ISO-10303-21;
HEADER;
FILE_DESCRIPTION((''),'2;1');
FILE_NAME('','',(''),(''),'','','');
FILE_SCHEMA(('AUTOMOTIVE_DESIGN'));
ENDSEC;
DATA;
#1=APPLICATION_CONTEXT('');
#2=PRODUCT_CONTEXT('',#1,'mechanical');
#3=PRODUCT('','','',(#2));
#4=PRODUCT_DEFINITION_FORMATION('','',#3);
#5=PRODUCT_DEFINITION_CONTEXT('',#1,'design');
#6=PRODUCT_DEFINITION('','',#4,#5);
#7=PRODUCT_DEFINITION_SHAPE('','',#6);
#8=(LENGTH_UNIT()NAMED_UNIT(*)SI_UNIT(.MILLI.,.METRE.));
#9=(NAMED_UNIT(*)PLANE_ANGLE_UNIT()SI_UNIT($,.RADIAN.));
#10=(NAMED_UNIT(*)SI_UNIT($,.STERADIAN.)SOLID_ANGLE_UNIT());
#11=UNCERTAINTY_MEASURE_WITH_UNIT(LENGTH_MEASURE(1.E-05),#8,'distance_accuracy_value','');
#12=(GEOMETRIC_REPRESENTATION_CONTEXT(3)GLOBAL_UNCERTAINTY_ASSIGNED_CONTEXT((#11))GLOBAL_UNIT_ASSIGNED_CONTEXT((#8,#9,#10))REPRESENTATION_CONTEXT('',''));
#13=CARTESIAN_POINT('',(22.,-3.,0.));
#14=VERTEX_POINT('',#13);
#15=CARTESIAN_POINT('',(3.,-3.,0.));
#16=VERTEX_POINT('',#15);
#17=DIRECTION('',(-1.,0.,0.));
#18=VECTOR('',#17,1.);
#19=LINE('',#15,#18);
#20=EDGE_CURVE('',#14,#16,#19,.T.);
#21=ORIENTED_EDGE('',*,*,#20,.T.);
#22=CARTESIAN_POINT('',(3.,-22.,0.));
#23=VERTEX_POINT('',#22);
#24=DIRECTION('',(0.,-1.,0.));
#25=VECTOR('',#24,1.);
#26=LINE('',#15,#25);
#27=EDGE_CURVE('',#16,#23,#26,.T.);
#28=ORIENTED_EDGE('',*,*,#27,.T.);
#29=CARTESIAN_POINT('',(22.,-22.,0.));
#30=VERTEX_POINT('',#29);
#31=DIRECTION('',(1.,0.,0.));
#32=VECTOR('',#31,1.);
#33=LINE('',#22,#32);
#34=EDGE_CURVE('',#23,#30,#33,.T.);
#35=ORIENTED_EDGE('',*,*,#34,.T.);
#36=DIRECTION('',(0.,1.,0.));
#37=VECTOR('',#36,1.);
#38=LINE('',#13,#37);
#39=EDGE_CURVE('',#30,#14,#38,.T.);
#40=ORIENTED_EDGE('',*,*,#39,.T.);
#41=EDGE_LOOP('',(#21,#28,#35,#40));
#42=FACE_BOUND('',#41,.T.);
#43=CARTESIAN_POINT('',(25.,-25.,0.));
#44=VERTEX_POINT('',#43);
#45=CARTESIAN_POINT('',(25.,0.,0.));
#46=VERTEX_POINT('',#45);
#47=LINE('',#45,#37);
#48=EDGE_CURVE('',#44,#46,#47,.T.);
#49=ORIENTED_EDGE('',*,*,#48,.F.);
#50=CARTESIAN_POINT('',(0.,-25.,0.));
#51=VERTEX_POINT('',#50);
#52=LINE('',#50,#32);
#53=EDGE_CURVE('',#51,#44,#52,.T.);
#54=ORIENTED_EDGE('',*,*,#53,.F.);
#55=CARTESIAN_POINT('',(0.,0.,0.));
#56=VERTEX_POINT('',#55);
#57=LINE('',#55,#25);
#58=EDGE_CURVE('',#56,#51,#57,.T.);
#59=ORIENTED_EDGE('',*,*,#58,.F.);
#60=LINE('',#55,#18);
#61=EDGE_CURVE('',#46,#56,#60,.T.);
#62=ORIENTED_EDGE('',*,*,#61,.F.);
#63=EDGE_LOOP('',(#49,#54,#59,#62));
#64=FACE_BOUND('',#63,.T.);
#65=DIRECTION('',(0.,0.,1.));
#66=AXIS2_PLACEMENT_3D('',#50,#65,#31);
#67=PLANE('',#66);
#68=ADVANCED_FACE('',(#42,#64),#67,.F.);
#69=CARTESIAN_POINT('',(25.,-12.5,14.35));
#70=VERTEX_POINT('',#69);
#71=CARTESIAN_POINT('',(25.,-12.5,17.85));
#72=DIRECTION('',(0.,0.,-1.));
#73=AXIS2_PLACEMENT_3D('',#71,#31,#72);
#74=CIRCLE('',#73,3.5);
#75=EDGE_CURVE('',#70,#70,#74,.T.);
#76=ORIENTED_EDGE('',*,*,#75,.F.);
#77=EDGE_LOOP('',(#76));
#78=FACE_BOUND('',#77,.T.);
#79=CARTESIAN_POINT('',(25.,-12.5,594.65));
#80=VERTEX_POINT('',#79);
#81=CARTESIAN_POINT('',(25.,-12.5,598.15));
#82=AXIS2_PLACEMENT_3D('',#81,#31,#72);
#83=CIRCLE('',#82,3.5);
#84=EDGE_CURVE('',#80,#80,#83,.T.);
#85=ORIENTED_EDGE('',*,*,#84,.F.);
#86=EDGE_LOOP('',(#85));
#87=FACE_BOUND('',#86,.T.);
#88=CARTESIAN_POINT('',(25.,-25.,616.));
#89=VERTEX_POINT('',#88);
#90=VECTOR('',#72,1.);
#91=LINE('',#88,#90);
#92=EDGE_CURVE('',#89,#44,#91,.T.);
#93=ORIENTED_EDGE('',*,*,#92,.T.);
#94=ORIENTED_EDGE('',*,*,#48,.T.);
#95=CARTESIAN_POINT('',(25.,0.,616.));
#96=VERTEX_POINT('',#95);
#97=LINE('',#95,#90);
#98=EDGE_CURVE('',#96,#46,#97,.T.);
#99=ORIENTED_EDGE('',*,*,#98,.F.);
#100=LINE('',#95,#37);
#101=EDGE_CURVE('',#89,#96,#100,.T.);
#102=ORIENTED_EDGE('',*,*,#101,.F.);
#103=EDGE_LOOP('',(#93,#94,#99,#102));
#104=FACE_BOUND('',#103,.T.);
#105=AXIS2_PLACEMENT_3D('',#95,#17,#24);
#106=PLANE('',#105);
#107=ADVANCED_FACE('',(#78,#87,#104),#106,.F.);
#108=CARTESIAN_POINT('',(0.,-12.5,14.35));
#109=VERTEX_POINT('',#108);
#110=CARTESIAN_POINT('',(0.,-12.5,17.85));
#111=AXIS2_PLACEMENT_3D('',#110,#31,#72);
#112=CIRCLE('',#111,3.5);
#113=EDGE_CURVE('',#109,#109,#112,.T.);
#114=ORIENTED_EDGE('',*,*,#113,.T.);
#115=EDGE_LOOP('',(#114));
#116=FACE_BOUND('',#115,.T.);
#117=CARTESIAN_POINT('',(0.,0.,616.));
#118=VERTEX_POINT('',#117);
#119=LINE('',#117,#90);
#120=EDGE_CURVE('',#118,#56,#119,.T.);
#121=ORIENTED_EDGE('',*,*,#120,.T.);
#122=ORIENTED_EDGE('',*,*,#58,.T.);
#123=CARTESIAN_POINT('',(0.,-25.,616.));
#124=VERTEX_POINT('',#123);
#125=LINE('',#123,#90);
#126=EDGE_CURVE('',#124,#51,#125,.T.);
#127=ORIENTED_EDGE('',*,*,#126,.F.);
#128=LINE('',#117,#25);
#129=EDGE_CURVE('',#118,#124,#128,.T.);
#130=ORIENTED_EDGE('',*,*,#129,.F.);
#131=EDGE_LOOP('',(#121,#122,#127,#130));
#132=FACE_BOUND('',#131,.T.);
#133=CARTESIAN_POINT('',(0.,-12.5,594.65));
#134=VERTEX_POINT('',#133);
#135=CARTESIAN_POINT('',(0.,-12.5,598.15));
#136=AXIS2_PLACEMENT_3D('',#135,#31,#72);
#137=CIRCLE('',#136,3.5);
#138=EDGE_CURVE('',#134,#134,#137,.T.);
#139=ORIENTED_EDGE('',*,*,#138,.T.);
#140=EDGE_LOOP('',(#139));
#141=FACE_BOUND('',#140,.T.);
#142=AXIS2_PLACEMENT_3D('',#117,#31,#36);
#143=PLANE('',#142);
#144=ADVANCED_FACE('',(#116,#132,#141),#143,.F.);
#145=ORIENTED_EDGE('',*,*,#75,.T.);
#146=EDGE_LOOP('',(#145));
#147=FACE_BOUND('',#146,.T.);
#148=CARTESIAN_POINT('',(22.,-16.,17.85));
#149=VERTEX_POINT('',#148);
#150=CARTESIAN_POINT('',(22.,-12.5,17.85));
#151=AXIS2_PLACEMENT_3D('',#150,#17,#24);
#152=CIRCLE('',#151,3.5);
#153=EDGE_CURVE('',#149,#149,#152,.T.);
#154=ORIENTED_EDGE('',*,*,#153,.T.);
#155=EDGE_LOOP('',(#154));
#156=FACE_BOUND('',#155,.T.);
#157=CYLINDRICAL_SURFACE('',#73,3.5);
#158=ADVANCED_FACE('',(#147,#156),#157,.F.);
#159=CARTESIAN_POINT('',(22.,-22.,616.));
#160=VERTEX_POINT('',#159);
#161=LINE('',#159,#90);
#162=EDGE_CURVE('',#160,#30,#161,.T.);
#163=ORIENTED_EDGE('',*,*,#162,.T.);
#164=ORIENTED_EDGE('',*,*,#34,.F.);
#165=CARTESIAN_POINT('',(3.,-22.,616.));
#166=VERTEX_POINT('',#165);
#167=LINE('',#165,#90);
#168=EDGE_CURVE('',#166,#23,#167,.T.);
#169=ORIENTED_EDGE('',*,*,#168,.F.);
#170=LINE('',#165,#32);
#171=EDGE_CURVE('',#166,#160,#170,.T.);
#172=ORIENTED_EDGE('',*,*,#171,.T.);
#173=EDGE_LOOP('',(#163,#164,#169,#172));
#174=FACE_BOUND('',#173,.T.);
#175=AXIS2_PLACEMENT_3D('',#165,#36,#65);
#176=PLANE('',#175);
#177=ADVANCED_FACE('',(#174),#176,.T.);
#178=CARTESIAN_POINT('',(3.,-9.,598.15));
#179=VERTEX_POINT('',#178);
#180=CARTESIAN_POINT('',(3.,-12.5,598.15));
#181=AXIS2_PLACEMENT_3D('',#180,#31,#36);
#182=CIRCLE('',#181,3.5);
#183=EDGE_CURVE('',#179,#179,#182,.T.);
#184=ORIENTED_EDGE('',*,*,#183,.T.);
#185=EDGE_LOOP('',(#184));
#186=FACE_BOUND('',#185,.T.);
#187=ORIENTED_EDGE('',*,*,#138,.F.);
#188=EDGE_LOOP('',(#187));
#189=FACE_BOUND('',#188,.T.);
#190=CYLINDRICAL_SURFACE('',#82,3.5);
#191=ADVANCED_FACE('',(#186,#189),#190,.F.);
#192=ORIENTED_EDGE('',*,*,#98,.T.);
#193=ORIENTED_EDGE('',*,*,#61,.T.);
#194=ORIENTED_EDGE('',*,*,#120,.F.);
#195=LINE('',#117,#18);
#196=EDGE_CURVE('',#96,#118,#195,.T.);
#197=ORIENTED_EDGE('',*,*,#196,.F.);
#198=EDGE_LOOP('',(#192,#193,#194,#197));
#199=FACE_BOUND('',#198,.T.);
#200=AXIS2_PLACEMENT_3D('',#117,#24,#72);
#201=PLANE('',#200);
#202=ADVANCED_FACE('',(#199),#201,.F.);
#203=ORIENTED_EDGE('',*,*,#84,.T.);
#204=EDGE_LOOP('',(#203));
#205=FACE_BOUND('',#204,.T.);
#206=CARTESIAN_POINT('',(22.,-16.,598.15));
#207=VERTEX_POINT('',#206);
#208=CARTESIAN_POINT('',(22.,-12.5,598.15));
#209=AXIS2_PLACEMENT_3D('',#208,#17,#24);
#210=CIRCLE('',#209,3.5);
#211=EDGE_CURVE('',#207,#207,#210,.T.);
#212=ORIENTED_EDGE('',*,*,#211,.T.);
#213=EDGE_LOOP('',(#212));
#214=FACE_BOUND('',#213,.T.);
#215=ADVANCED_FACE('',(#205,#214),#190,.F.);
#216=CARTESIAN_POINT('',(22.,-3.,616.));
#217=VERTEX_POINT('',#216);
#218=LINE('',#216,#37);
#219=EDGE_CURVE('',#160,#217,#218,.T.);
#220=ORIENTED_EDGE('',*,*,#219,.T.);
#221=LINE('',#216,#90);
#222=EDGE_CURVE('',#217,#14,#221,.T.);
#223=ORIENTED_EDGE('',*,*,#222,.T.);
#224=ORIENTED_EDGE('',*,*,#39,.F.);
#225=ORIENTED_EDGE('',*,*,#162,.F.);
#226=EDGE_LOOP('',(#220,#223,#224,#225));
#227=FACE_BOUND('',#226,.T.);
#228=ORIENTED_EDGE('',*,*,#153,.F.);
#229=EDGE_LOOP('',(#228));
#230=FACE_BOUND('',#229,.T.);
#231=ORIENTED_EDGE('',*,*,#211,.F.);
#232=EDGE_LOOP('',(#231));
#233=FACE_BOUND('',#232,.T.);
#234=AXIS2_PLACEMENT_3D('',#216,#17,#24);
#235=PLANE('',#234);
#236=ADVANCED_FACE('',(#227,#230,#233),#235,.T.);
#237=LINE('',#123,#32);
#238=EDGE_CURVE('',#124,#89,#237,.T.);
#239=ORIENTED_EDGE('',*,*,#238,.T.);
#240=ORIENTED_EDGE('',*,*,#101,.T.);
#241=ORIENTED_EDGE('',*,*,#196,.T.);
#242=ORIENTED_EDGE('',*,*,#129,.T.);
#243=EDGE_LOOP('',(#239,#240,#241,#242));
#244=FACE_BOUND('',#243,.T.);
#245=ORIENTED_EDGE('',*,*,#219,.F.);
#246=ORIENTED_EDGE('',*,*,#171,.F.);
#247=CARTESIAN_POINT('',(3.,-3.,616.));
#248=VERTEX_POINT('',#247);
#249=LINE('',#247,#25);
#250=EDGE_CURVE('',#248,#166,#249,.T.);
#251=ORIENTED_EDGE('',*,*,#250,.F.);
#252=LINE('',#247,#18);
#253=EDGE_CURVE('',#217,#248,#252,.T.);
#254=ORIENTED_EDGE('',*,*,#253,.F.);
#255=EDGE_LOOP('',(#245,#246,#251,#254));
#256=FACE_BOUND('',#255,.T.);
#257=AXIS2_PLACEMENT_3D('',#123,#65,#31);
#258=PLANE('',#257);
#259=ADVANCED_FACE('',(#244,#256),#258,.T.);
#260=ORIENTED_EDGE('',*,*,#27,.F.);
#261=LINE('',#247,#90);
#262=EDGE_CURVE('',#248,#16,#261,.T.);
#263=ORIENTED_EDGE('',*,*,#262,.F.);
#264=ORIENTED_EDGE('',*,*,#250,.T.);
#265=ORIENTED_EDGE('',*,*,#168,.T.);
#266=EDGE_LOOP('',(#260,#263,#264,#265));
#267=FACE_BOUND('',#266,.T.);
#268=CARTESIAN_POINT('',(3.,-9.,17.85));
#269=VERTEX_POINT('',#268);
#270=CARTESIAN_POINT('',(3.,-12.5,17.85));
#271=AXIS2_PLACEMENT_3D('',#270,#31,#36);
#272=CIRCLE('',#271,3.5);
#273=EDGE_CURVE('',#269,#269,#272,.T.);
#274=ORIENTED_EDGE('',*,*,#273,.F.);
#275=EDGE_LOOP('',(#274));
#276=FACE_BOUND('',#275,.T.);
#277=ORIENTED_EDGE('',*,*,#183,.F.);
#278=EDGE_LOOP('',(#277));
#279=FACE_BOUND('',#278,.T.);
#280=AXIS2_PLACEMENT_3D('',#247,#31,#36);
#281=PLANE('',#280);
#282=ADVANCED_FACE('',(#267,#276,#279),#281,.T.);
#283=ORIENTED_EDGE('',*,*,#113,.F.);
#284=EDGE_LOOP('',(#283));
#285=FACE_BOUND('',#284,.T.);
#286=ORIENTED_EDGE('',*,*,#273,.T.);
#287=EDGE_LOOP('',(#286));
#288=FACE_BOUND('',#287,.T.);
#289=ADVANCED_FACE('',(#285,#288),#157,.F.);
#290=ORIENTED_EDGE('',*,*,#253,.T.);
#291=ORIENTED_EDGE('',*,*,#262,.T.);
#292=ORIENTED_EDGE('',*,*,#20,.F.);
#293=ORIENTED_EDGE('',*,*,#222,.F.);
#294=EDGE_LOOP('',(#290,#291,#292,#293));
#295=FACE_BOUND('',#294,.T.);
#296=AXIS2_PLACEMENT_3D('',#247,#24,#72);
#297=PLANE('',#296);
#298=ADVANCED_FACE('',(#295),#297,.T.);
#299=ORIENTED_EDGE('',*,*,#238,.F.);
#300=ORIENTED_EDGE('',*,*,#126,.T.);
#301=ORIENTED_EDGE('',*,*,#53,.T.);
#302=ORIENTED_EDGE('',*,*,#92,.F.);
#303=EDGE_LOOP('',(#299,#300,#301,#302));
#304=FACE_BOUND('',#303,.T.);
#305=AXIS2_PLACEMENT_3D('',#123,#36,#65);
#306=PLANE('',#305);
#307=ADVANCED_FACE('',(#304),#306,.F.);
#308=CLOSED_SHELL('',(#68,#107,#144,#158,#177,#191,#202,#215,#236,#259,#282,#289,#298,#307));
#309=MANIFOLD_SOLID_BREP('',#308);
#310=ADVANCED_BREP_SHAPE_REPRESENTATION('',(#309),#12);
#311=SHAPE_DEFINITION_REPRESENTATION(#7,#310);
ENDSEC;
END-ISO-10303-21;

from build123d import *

# Parameters (mm, degrees)
SKETCH_1_W             = 25
SKETCH_1_H             = 25
SKETCH_1_W_2           = 19
SKETCH_1_H_2           = 19
EXTRUDE_1_DEPTH        = 616
HOLE_WIZARD_7_0_7_1_D  = 7
PATTERN_LINEAR_1_COUNT = 2
PATTERN_LINEAR_1_PITCH = 580.3


with BuildPart() as part:
    # 草图1 → 拉伸1 (new body)
    with BuildSketch(Plane.XY):
        with Locations((12.5, -12.5)):
            Rectangle(SKETCH_1_W, SKETCH_1_H)
        with Locations((12.5, -12.5)):
            Rectangle(SKETCH_1_W_2, SKETCH_1_H_2, mode=Mode.SUBTRACT)
    extrude(amount=EXTRUDE_1_DEPTH)

    # Ø7.0 (7) 直径孔1 (through all)
    with Locations(Plane(origin=(25, 0, 0), x_dir=(0, 0, -1), z_dir=(1, 0, 0))):
        with Locations((-598.15, -12.5)):
            hole_wizard_7_0_7_1 = Hole(HOLE_WIZARD_7_0_7_1_D / 2)

    # 阵列(线性)1: Ø7.0 (7) 直径孔1 ×2
    with Locations(*[(0, 0, -i * PATTERN_LINEAR_1_PITCH) for i in range(1, PATTERN_LINEAR_1_COUNT)]):
        add(hole_wizard_7_0_7_1, mode=Mode.SUBTRACT)


solid = part.part
